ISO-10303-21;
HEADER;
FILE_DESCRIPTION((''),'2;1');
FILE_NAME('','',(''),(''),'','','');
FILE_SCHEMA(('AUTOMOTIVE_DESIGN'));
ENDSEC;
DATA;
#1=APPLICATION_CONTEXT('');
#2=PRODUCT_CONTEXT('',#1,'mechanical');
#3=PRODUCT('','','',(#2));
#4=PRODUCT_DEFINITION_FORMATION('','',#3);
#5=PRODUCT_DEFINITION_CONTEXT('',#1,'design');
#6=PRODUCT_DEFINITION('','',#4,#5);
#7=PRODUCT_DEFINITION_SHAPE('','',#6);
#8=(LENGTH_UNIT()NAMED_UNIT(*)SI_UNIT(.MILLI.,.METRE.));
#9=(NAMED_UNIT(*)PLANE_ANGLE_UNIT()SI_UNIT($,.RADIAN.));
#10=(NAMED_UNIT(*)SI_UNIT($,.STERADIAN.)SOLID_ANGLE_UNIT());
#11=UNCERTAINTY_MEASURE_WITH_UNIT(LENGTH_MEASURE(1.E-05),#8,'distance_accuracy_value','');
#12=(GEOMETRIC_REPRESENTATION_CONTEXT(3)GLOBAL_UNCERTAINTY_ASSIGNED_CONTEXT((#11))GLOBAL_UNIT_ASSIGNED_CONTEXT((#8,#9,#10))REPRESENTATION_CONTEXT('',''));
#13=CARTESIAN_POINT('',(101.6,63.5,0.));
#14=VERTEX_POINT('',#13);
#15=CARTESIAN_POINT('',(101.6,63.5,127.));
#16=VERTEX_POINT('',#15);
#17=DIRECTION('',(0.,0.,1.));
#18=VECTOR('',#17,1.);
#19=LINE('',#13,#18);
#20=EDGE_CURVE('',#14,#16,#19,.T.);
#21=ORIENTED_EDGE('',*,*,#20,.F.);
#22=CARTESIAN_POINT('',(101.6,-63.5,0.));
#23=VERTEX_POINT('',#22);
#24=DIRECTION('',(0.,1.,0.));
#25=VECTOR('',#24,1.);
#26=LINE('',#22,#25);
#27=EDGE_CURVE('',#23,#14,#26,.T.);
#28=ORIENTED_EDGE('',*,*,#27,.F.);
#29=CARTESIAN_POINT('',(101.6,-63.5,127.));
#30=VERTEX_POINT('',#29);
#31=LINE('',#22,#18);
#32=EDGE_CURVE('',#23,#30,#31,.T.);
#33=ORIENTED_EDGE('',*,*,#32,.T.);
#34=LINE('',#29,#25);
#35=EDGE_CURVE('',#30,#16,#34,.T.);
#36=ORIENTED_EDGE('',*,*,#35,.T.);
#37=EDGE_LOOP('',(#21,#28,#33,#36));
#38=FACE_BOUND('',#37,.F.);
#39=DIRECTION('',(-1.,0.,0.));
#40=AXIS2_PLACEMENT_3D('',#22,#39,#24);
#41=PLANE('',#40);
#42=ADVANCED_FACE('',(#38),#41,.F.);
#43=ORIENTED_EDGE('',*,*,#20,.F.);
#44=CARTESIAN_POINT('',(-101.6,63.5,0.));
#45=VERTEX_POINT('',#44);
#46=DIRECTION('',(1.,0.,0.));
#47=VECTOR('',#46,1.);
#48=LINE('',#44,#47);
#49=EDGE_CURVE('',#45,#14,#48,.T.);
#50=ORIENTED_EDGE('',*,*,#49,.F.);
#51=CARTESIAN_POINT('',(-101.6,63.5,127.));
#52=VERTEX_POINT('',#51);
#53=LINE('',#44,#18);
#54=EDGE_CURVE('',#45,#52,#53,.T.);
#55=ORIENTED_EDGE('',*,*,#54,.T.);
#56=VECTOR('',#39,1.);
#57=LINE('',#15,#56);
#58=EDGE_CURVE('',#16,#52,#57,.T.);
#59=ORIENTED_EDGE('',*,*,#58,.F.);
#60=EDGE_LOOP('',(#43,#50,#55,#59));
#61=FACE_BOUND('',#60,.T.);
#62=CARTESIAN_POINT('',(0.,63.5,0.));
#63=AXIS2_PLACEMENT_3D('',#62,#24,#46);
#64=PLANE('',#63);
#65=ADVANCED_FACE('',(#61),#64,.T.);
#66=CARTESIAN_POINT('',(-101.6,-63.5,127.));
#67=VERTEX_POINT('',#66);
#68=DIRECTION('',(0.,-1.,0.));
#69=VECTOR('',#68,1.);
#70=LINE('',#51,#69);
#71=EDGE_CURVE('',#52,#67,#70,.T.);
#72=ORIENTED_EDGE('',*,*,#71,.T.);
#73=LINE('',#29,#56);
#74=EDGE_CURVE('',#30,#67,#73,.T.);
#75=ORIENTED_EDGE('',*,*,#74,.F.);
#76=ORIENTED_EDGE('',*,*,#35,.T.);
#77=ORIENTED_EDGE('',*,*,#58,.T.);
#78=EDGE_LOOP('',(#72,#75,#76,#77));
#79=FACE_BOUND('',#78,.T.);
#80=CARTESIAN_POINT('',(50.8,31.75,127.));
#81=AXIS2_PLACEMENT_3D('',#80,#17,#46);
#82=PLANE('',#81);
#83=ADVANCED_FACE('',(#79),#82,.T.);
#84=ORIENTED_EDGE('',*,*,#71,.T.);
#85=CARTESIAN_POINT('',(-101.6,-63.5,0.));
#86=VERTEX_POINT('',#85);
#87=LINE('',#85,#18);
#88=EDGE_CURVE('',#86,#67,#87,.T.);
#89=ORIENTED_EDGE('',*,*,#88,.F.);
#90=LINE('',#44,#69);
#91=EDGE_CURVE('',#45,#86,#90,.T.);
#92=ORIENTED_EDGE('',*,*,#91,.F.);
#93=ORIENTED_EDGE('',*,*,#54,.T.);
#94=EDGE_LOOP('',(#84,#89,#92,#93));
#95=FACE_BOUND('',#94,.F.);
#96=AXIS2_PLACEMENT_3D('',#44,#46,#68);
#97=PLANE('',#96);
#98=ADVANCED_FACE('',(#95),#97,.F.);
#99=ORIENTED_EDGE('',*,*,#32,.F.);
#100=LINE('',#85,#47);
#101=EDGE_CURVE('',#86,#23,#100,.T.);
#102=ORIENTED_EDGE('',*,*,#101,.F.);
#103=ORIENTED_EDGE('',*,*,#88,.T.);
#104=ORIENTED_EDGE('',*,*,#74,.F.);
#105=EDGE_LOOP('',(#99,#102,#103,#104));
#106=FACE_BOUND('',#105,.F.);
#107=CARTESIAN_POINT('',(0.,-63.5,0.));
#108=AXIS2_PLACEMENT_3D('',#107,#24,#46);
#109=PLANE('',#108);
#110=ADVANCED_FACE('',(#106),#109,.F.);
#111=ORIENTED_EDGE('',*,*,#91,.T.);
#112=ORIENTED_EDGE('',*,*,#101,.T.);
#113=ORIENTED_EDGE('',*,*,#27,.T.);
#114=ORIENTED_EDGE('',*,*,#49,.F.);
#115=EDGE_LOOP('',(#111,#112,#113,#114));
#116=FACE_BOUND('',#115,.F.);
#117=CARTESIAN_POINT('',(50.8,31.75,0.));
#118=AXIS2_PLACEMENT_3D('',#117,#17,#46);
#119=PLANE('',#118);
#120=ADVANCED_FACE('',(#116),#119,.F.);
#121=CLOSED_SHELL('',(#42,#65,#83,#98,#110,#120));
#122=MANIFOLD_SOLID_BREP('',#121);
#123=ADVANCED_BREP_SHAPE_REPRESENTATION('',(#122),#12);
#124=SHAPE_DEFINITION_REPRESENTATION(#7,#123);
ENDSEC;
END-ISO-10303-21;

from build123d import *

# Parameters (mm, degrees)
F0_W     = 101.6
F0_H     = 63.5
F1_DEPTH = 127
F2_DEPTH = 127


with BuildPart() as f1:
    # F0 (on Top) → F1 (new body)
    with BuildSketch(Plane.XY):
        with Locations((-50.8, 31.75)):
            Rectangle(F0_W, F0_H)
        with Locations((-50.8, -31.75)):
            Rectangle(F0_W, F0_H)
    extrude(amount=F1_DEPTH)

    # F0 (on Top) → F2 (join)
    with BuildSketch(Plane.XY):
        with Locations((50.8, 31.75)):
            Rectangle(F0_W, F0_H)
        with Locations((50.8, -31.75)):
            Rectangle(F0_W, F0_H)
    extrude(amount=F2_DEPTH)


solid = f1.part
